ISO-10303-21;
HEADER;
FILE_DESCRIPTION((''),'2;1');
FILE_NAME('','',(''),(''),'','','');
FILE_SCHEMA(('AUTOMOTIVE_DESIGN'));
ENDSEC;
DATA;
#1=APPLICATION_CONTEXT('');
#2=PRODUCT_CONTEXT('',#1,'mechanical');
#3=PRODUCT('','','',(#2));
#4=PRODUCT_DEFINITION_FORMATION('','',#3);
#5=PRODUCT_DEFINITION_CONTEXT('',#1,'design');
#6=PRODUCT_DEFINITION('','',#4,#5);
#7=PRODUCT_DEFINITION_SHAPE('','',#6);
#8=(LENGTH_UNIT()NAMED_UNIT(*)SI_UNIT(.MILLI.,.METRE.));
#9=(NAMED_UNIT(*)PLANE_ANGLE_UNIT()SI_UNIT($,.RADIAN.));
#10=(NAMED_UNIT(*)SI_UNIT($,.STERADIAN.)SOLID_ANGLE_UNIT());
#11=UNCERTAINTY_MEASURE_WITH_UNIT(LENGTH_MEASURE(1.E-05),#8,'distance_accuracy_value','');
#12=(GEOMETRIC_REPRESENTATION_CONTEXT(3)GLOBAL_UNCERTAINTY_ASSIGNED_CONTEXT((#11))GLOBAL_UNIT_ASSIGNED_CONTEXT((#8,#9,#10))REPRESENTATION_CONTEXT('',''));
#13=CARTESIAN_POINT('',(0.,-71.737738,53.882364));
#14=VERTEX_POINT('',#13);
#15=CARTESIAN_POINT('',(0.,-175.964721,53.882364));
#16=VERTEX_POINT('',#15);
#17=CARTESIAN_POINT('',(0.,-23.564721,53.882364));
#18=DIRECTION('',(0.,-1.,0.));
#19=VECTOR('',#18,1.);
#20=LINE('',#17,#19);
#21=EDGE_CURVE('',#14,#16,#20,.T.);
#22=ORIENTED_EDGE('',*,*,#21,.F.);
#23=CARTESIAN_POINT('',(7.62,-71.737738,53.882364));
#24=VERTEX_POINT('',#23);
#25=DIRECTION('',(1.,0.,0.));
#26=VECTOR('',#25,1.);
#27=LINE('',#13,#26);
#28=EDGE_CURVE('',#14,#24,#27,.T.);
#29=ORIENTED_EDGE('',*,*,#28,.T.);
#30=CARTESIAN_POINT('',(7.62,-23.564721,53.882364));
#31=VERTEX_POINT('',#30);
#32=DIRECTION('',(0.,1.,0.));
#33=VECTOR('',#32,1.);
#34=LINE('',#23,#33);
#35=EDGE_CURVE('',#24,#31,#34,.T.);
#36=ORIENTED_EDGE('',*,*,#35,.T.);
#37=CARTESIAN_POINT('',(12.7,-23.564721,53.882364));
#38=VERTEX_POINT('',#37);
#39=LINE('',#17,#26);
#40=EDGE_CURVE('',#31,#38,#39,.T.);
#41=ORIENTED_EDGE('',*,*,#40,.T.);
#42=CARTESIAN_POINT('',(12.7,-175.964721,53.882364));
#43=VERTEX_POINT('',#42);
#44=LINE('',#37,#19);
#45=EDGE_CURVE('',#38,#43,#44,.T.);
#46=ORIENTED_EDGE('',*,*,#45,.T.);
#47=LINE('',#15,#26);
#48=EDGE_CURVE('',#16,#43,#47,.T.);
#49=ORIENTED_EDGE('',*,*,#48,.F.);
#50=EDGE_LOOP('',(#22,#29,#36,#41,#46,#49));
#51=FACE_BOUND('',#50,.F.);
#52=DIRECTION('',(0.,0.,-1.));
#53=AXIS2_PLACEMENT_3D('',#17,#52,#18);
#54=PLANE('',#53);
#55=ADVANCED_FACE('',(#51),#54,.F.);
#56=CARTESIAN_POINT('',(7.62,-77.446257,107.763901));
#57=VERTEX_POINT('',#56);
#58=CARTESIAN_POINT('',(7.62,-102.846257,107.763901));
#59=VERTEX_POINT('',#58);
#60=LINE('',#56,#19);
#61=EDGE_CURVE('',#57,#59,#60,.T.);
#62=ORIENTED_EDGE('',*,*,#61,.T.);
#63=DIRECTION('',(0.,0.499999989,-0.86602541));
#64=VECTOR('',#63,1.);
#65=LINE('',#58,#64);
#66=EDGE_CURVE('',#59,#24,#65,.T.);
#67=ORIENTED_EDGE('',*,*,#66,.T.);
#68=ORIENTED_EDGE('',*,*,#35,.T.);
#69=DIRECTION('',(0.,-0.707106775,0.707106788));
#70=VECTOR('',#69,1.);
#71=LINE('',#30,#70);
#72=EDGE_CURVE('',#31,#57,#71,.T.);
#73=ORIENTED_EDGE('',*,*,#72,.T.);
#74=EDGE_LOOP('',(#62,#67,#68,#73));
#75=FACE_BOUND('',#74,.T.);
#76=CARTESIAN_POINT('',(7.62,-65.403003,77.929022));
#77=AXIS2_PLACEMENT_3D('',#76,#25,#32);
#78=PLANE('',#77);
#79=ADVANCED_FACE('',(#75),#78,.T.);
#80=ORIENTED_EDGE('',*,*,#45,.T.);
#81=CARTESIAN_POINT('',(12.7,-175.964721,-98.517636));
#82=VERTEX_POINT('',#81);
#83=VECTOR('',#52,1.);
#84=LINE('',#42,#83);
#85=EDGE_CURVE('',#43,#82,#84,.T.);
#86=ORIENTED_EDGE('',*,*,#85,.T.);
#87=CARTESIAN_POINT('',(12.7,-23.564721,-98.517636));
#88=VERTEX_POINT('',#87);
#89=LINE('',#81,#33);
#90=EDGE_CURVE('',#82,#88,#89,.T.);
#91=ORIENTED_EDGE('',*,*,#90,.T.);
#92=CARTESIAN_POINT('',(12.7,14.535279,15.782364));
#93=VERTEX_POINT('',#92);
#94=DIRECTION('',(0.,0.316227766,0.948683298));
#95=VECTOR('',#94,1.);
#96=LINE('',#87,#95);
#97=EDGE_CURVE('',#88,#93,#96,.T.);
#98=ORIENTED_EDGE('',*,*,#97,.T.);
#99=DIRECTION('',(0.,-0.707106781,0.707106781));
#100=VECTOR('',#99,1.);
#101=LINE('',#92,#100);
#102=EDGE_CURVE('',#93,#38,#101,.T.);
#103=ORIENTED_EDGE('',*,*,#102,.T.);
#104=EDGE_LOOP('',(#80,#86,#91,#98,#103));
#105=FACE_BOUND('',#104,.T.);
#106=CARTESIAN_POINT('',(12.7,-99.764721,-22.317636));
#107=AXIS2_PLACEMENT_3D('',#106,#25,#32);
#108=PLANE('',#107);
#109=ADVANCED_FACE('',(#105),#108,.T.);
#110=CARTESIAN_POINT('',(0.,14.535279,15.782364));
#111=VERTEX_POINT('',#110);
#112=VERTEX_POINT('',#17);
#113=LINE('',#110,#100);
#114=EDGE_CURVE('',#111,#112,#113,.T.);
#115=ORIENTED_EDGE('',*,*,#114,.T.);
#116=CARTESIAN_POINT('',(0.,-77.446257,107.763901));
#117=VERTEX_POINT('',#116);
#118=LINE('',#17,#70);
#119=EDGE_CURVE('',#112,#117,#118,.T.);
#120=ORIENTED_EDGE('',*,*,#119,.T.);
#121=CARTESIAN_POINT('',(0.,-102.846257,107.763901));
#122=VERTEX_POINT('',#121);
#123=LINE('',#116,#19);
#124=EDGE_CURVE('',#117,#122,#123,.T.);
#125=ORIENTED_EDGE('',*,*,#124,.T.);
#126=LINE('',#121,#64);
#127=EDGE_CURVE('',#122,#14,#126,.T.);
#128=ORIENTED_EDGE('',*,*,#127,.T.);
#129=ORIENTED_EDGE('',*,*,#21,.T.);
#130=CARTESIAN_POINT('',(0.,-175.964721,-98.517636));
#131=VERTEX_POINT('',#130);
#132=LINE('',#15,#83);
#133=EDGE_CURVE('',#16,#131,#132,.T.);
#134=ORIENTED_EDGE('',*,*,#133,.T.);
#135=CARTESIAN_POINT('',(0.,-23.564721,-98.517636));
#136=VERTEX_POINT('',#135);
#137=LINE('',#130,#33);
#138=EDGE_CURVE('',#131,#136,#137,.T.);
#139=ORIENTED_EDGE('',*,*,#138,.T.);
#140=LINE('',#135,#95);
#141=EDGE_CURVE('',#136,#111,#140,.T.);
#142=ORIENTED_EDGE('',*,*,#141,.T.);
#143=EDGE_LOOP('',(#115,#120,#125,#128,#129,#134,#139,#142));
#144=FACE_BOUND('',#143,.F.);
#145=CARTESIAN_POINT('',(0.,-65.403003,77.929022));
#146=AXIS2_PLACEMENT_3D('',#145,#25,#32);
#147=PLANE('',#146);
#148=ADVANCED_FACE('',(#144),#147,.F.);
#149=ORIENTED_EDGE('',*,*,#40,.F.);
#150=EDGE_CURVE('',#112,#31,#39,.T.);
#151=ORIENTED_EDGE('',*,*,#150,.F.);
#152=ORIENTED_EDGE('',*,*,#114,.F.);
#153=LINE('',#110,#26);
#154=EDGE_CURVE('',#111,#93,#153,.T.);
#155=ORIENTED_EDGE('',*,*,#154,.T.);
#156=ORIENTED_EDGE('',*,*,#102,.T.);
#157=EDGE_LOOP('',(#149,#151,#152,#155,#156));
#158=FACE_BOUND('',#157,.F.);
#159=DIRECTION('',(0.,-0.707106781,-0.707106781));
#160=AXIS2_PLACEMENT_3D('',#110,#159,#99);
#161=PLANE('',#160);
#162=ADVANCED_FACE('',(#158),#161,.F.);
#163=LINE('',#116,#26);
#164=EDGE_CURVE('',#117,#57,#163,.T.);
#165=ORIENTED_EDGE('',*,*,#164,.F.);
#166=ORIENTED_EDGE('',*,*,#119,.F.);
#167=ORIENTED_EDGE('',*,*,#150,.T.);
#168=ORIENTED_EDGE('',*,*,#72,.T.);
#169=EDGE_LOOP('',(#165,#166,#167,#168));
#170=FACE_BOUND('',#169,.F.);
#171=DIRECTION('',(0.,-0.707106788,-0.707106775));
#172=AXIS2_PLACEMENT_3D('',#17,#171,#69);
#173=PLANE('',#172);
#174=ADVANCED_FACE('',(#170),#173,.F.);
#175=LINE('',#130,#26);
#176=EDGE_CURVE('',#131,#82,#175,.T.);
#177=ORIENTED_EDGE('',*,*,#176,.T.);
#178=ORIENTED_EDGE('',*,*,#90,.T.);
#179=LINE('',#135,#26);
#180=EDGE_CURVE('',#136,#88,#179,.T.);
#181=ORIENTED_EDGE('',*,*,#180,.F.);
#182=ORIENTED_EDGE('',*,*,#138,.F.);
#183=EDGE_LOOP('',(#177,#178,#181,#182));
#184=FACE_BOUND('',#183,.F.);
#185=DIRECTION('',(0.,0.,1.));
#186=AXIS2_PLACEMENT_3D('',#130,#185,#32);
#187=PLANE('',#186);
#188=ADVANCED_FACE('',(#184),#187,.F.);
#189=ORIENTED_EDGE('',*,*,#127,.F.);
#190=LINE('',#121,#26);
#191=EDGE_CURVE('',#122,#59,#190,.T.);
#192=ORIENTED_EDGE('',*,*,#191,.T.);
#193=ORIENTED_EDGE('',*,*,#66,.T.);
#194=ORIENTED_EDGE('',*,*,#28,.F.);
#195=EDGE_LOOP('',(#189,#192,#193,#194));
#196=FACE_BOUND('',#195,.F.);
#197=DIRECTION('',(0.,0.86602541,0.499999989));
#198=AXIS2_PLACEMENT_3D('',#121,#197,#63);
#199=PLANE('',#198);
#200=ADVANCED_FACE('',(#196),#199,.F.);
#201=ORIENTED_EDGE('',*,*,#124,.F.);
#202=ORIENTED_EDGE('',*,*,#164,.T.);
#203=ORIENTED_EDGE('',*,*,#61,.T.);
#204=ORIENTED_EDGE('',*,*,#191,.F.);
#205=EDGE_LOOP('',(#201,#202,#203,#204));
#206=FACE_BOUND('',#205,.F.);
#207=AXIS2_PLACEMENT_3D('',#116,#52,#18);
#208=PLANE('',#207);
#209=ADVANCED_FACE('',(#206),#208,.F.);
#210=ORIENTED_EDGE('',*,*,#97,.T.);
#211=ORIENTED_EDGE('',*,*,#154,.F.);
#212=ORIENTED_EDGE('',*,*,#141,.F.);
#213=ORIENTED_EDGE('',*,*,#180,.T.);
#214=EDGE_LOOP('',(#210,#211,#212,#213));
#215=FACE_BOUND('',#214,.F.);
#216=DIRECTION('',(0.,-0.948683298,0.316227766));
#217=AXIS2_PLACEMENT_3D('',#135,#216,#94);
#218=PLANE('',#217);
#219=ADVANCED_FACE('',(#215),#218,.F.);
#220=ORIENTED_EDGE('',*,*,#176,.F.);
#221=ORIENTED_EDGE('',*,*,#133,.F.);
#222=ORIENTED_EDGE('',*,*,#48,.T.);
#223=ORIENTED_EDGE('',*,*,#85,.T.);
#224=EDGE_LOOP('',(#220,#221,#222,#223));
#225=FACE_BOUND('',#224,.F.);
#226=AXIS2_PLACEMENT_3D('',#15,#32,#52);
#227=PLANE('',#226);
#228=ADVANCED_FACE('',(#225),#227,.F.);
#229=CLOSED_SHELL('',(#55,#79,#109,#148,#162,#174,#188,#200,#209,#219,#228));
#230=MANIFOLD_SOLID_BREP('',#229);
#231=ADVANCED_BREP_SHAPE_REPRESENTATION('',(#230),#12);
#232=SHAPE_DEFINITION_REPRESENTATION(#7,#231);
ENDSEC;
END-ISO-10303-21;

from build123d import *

# Parameters (mm, degrees)
F1_DEPTH = 12.7
F2_DEPTH = 7.62


with BuildPart() as f1:
    # F0 (on Right) → F1 (new body)
    with BuildSketch(Plane.YZ):
        Polygon((-23.564721, 15.782364), (-23.564721, 53.882364), (-71.737738, 53.882364), (-175.964721, 53.882364), (-175.964721, -98.517636), (-23.564721, -98.517636), align=None)
        Polygon((14.535279, 15.782364), (-23.564721, 53.882364), (-23.564721, 15.782364), align=None)
        Polygon((14.535279, 15.782364), (-23.564721, 15.782364), (-23.564721, -98.517636), align=None)
    extrude(amount=F1_DEPTH)

    # F0 (on Right) → F2 (join)
    with BuildSketch(Plane.YZ):
        Polygon((-71.737738, 53.882364), (-23.564721, 53.882364), (-77.446257, 107.763901), (-102.846257, 107.763901), align=None)
    extrude(amount=F2_DEPTH)


solid = f1.part
